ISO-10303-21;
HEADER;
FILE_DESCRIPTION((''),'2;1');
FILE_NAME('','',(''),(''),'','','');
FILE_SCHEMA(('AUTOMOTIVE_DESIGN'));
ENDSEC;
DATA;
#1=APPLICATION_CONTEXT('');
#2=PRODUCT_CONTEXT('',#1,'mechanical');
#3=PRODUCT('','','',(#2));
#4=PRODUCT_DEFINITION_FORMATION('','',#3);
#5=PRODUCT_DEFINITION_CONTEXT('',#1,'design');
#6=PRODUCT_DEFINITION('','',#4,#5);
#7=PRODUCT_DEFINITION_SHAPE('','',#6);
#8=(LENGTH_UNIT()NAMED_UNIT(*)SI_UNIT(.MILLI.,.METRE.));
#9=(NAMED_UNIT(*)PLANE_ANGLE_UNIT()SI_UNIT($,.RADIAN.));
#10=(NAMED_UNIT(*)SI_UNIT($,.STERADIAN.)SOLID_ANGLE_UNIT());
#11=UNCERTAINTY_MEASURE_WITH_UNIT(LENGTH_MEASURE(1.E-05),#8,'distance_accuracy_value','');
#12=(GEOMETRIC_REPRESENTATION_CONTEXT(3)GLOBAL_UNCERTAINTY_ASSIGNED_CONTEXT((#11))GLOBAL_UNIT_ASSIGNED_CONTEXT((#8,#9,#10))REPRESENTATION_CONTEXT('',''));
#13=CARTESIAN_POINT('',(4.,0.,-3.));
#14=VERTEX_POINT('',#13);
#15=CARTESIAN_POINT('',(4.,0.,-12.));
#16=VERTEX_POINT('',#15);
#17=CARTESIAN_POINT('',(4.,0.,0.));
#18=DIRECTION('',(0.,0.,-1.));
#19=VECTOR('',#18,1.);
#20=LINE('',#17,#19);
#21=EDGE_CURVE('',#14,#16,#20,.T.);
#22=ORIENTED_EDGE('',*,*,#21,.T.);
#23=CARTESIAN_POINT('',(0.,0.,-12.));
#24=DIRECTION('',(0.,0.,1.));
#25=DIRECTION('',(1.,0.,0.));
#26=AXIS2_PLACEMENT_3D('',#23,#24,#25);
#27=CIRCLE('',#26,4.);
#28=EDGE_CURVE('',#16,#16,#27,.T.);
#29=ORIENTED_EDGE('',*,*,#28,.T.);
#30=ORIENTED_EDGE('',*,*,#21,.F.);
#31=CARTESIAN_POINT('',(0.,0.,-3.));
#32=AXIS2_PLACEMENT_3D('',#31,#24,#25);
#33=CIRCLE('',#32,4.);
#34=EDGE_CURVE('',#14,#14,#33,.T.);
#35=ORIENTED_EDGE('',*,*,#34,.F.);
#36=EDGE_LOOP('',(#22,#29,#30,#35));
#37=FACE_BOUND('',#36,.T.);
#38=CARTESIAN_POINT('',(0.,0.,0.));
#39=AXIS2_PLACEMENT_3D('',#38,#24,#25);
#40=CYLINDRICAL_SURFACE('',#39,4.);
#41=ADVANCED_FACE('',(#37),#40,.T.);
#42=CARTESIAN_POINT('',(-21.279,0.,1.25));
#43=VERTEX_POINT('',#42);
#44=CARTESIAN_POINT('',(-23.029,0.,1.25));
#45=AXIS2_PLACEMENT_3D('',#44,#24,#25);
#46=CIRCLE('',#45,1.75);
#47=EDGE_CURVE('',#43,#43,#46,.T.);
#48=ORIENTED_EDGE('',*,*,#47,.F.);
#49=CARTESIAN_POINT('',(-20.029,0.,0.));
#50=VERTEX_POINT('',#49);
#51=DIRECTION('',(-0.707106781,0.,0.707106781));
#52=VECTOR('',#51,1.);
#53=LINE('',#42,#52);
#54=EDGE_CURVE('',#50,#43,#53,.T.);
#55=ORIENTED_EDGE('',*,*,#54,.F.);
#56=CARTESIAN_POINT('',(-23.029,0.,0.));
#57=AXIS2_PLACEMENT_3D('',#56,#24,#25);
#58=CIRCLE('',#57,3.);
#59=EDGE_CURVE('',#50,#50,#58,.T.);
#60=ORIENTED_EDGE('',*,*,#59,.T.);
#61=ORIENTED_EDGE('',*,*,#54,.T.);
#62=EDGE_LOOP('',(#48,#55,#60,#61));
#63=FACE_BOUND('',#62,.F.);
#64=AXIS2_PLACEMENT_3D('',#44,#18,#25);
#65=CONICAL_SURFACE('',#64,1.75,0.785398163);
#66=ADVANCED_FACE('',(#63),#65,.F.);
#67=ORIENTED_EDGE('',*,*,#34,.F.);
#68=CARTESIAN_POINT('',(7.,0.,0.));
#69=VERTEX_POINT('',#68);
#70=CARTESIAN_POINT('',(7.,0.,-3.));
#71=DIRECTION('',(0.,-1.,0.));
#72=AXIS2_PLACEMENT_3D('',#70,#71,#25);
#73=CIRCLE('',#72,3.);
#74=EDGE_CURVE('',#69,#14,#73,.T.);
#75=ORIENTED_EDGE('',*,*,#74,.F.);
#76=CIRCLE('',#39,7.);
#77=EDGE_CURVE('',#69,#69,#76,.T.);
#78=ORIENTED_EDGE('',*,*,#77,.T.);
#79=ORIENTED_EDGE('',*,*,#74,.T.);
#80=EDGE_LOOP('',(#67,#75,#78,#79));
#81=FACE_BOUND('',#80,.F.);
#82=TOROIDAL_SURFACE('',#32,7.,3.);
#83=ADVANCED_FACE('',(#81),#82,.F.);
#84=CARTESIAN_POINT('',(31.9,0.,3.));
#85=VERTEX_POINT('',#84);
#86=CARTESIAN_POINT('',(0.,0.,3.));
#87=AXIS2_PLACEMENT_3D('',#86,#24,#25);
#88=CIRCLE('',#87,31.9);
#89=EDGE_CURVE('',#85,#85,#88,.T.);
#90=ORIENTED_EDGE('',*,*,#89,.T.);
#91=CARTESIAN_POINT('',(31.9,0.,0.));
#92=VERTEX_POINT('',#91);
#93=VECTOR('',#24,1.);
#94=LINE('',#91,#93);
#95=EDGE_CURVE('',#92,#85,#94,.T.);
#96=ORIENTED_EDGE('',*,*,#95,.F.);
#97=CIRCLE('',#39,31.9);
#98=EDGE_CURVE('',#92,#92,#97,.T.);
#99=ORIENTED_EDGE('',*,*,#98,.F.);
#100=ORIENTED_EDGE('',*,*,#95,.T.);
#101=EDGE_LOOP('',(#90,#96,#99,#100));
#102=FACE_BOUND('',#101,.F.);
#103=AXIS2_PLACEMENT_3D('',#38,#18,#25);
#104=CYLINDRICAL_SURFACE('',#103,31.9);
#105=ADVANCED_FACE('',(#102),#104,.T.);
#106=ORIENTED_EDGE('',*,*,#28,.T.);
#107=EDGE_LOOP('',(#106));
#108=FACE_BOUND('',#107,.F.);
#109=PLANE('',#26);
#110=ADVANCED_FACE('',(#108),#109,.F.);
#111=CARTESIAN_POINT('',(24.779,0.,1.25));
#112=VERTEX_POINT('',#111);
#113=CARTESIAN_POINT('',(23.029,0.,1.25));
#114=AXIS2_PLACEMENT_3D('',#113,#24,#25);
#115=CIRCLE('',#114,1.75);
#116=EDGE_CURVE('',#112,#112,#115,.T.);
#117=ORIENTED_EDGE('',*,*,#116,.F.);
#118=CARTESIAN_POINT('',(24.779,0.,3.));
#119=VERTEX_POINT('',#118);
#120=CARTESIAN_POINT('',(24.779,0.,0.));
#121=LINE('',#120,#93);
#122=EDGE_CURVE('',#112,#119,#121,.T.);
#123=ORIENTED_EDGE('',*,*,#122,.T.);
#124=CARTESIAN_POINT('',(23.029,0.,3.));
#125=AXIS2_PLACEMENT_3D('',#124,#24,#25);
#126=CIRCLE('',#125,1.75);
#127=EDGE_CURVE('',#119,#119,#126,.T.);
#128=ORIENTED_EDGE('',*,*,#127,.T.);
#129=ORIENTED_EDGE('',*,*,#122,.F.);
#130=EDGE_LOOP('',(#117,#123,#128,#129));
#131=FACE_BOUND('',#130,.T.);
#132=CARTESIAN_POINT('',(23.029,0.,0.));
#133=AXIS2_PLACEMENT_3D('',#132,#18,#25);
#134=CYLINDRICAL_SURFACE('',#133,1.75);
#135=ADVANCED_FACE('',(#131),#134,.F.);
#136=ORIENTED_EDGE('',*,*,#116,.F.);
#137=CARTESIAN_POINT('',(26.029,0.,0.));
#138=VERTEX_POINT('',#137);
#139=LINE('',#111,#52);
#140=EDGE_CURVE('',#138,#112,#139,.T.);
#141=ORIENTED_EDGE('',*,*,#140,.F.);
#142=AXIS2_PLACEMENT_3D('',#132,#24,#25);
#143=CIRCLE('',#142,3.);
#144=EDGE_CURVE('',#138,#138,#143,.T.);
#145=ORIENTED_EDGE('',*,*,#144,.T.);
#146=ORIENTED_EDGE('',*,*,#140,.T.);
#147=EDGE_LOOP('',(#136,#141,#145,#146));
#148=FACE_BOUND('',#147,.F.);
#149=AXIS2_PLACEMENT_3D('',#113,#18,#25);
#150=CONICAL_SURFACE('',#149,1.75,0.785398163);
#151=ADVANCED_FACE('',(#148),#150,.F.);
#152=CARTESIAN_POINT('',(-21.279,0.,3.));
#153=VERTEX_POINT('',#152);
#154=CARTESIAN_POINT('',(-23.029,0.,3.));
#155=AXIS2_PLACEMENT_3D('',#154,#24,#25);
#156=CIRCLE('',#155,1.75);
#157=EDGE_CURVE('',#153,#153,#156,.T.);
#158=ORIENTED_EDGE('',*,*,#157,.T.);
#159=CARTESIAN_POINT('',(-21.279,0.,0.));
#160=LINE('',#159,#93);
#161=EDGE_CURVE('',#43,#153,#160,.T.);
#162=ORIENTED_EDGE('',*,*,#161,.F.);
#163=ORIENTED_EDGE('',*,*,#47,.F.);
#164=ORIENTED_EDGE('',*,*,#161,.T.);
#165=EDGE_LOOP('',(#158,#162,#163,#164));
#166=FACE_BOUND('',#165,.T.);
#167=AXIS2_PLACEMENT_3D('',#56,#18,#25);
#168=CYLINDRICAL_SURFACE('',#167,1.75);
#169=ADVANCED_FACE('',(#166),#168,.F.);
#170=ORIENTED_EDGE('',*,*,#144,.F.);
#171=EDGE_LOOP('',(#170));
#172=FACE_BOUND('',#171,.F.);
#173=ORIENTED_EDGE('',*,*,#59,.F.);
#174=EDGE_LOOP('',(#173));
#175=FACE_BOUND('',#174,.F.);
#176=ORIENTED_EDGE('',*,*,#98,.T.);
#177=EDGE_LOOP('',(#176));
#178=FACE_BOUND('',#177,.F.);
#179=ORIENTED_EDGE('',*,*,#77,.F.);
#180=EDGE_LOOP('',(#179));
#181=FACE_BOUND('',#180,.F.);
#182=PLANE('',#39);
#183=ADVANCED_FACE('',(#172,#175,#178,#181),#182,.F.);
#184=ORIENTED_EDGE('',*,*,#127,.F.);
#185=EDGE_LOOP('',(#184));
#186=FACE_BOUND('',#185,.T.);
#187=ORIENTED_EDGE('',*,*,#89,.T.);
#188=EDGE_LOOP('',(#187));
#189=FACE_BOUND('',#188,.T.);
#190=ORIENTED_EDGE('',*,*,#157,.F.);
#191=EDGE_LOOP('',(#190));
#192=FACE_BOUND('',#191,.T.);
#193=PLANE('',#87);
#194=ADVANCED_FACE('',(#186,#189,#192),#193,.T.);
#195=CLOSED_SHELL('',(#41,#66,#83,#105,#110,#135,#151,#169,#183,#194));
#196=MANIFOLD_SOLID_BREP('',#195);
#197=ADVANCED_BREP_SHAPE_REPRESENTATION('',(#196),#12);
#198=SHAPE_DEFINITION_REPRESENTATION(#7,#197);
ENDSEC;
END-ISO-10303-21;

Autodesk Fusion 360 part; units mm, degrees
sketch "Sketch1" plane through (0, 0, 0) normal (0, 0, 1) x (1, 0, 0)
  circle A0 centre (0, 0) radius 31.9
  line L0 (0, 0) -> (-31.9, 0) construction
  line L1 (0, 0) -> (31.9, 0) construction
  circle A1 centre (23.029, 0) radius 1.75
  circle A2 centre (-23.029, 0) radius 1.75
  circle A3 centre (-23.029, 0) radius 3
  circle A4 centre (23.029, 0) radius 3
  circle A5 centre (0, 0) radius 4
  dimension "d1" = 63.8
  dimension "d2" = 3.5
  dimension "d3" = 23.029
  dimension "d4" = 3.5
  dimension "d5" = 23.029
  dimension "d6" = 6
  dimension "d7" = 6
  dimension "d8" = 8
extrude "Extrude1" add sketch "Sketch1" along normal blind 3 contours A0 | A3 | A4 | A5
extrude "Extrude3" add sketch "Sketch1" against normal blind 12 contours A5
fillet "Fillet2" radius 3 1 edges at (-3.7293, -1.4465, 0)
chamfer "Chamfer2" distance 1.25 angle 45 2 edges at (21.3974, 0.6328, 0) (-24.6606, 0.6328, 0)
